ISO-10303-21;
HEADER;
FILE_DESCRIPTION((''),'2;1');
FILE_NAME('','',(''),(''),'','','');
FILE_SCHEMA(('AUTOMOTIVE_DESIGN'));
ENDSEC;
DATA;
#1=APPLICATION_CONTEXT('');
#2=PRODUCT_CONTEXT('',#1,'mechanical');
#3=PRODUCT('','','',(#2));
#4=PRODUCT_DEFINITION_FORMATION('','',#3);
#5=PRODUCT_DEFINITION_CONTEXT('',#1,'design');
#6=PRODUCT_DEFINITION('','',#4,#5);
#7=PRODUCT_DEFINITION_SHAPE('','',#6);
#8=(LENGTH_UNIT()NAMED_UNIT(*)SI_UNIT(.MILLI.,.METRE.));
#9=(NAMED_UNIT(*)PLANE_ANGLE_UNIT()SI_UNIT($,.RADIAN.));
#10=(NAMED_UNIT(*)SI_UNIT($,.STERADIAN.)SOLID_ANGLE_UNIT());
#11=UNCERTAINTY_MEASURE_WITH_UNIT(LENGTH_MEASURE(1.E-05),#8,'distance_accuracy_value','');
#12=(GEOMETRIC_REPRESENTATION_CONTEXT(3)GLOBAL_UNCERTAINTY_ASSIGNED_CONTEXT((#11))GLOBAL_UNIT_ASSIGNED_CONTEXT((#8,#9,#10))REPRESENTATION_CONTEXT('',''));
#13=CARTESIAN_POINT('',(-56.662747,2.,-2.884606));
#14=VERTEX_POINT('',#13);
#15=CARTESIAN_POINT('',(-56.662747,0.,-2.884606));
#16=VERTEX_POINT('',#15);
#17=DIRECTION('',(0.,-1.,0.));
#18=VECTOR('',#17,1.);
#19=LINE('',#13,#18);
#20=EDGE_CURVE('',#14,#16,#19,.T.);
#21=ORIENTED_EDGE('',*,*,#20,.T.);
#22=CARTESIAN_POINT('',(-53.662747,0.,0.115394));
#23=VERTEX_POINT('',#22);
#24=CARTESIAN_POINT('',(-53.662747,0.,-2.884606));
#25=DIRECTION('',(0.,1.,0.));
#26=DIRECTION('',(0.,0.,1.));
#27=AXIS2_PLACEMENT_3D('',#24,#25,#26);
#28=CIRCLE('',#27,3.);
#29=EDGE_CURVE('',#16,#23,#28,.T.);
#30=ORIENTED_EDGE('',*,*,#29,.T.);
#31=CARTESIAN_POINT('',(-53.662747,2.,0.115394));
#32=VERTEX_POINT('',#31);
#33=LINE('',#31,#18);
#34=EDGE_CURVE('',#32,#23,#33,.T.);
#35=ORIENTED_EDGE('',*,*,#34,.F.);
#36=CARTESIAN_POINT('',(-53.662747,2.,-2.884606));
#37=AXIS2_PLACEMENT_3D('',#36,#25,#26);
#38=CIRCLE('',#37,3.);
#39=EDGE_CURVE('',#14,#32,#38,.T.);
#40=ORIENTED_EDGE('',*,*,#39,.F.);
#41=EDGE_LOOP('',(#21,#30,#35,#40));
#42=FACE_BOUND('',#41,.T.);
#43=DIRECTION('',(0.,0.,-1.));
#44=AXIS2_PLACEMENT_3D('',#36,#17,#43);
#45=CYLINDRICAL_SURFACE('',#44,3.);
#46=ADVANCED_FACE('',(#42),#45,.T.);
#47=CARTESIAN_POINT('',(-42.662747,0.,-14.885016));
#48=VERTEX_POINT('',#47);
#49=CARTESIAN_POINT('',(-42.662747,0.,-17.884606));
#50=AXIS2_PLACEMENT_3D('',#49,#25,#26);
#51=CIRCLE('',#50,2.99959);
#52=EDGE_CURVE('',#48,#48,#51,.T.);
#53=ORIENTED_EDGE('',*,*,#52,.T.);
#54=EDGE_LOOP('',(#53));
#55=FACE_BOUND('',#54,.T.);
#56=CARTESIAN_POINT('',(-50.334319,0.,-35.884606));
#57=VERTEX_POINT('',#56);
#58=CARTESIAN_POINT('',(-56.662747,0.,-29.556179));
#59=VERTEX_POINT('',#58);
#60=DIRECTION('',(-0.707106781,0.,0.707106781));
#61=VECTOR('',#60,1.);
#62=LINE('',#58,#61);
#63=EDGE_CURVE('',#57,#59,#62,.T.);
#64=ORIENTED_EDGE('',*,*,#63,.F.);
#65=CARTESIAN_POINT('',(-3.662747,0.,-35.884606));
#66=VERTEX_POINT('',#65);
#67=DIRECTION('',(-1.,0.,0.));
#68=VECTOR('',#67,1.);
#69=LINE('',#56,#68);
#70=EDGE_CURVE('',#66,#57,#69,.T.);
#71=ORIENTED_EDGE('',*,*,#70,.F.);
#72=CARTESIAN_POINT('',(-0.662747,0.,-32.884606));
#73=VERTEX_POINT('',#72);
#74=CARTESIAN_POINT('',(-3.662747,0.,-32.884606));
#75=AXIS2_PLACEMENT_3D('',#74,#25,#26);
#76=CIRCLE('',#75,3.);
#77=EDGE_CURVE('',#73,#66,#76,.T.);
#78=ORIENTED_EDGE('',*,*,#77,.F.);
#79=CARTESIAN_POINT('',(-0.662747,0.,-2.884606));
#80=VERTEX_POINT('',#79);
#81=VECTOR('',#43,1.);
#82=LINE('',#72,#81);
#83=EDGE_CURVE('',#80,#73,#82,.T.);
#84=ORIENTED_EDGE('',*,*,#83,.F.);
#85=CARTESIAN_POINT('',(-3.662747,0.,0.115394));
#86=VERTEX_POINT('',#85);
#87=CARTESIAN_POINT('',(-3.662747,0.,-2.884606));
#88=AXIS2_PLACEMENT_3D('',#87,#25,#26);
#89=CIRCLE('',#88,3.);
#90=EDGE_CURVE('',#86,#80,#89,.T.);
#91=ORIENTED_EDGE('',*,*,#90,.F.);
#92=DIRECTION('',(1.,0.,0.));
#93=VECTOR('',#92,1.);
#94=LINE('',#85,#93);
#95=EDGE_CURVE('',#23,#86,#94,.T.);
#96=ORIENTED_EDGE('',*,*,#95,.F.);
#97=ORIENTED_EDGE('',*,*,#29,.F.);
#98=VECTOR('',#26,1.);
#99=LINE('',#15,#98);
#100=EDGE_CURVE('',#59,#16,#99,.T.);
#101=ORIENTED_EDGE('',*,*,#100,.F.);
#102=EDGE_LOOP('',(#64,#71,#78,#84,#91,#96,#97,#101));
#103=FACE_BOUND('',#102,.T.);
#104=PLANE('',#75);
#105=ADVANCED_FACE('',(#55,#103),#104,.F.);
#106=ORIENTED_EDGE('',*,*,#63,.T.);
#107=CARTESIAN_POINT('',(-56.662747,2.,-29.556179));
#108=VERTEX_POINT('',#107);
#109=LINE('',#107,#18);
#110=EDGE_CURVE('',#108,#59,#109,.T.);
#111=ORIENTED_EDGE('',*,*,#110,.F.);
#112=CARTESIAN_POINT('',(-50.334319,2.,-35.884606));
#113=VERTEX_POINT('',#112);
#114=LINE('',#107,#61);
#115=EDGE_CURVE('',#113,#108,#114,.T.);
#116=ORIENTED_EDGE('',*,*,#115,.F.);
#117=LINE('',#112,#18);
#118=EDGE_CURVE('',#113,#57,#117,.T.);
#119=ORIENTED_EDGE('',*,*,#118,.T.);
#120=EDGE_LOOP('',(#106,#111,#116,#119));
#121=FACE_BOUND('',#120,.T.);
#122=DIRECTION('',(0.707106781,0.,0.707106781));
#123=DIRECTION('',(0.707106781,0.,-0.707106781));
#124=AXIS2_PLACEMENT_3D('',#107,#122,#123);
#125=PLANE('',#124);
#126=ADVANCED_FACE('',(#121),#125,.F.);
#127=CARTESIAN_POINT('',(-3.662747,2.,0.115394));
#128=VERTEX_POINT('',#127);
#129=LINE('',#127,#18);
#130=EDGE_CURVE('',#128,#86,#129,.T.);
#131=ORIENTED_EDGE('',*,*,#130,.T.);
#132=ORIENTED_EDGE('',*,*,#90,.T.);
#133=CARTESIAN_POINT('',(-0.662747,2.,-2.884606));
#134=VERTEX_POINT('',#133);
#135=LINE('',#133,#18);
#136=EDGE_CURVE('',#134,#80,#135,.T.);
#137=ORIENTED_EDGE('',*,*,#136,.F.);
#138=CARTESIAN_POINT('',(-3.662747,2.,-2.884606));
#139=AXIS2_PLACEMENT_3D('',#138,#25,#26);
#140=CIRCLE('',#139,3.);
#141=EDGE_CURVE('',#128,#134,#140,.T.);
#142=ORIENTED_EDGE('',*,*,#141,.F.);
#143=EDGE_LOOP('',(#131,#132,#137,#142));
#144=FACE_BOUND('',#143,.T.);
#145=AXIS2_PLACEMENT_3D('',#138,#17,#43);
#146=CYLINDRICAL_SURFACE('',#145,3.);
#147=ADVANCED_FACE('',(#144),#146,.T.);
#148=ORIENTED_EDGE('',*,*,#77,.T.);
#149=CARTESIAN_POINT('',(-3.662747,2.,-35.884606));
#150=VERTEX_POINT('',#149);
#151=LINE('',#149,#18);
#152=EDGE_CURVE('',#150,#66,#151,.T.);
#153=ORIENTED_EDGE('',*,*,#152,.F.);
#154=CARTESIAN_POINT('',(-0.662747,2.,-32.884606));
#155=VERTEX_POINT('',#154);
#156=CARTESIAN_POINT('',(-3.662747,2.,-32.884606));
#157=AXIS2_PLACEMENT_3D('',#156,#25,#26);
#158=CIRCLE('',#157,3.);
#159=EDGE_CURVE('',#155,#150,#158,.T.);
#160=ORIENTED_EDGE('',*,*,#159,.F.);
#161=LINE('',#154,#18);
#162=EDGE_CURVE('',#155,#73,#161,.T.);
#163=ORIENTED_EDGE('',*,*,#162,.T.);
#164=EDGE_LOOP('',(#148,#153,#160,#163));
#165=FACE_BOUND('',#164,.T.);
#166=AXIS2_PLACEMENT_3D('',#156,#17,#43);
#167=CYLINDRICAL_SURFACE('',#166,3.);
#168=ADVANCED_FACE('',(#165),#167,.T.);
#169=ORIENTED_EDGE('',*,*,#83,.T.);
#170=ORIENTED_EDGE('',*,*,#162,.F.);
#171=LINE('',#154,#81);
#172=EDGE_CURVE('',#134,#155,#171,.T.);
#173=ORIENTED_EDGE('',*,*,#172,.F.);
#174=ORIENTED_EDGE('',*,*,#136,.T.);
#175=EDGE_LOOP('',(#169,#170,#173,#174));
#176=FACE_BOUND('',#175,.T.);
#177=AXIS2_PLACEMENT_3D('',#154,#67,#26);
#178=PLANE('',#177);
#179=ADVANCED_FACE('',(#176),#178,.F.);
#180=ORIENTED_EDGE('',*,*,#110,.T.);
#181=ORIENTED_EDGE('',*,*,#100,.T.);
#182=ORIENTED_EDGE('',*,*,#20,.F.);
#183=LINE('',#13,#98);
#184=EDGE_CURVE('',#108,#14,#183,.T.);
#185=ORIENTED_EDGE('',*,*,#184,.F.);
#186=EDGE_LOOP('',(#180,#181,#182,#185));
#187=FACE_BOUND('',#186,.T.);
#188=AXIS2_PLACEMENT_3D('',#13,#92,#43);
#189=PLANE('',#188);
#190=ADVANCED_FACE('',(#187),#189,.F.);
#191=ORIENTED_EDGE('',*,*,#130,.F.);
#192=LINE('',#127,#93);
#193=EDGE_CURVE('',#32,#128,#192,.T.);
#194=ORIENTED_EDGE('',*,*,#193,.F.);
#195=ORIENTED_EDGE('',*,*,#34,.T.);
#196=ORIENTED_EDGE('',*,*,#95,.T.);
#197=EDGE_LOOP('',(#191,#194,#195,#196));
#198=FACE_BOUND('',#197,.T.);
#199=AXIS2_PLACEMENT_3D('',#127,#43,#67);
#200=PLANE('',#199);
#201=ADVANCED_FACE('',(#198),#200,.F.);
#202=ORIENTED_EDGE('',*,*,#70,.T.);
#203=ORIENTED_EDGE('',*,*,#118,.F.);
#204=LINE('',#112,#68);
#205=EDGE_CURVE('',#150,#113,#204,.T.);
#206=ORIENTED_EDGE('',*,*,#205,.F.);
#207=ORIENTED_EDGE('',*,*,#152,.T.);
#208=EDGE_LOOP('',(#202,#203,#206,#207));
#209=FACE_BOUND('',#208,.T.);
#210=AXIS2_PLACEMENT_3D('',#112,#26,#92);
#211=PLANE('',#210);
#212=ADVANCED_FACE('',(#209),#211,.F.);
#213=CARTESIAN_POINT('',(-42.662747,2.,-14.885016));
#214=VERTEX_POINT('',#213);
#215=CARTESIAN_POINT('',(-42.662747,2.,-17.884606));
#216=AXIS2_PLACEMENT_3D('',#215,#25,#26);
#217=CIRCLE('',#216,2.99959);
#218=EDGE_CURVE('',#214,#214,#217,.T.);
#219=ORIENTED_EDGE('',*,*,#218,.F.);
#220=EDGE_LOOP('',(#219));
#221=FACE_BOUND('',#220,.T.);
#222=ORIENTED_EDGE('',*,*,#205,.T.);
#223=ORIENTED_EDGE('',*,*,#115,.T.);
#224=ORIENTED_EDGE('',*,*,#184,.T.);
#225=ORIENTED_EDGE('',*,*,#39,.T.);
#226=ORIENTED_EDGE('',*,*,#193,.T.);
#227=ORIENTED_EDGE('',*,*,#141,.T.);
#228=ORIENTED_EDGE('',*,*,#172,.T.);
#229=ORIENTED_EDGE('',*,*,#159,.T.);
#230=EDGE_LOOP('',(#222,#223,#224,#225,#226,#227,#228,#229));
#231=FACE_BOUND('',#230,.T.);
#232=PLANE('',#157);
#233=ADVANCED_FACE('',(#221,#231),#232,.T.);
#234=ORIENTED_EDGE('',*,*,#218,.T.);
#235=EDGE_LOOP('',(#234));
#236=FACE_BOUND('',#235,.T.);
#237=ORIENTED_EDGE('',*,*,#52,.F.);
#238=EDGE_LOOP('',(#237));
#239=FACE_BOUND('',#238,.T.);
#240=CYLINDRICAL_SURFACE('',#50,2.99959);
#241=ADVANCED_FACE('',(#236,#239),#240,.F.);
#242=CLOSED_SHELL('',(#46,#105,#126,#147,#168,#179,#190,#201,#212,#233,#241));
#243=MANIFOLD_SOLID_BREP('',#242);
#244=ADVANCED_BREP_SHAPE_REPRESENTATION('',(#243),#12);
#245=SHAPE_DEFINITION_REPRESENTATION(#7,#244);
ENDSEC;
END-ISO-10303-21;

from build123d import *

# Parameters (mm, degrees)
BOSS_EXTRUDE1_DEPTH = 2
SKETCH3_R           = 2.999590147
CUT_EXTRUDE1_DEPTH  = 2


with BuildPart() as part:
    # Sketch1 → Boss-Extrude1 (new body)
    with BuildSketch(Plane(origin=(0, 0, 0), x_dir=(1, 0, 0), z_dir=(0, 1, 0))):
        with BuildLine():
            Line((-56.662746608, 29.55617923), (-50.334319483, 35.884606354))
            Line((-50.334319483, 35.884606354), (-3.662746608, 35.884606354))
            ThreePointArc((-3.662746608, 35.884606354), (-1.541426264, 35.005926698), (-0.662746608, 32.884606354))
            Line((-0.662746608, 32.884606354), (-0.662746608, 2.884606354))
            ThreePointArc((-0.662746608, 2.884606354), (-1.541426264, 0.763286011), (-3.662746608, -0.115393646))
            Line((-3.662746608, -0.115393646), (-53.662746608, -0.115393646))
            ThreePointArc((-53.662746608, -0.115393646), (-55.784066951, 0.763286011), (-56.662746608, 2.884606354))
            Line((-56.662746608, 2.884606354), (-56.662746608, 29.55617923))
        make_face()
    extrude(amount=BOSS_EXTRUDE1_DEPTH)

    # Sketch3 → Cut-Extrude1 (cut)
    with BuildSketch(Plane(origin=(0, 2, 0), x_dir=(1, 0, 0), z_dir=(0, 1, 0))):
        with Locations((-42.662746608, 17.884606354)):
            Circle(SKETCH3_R)
    extrude(amount=-CUT_EXTRUDE1_DEPTH, mode=Mode.SUBTRACT)


solid = part.part
